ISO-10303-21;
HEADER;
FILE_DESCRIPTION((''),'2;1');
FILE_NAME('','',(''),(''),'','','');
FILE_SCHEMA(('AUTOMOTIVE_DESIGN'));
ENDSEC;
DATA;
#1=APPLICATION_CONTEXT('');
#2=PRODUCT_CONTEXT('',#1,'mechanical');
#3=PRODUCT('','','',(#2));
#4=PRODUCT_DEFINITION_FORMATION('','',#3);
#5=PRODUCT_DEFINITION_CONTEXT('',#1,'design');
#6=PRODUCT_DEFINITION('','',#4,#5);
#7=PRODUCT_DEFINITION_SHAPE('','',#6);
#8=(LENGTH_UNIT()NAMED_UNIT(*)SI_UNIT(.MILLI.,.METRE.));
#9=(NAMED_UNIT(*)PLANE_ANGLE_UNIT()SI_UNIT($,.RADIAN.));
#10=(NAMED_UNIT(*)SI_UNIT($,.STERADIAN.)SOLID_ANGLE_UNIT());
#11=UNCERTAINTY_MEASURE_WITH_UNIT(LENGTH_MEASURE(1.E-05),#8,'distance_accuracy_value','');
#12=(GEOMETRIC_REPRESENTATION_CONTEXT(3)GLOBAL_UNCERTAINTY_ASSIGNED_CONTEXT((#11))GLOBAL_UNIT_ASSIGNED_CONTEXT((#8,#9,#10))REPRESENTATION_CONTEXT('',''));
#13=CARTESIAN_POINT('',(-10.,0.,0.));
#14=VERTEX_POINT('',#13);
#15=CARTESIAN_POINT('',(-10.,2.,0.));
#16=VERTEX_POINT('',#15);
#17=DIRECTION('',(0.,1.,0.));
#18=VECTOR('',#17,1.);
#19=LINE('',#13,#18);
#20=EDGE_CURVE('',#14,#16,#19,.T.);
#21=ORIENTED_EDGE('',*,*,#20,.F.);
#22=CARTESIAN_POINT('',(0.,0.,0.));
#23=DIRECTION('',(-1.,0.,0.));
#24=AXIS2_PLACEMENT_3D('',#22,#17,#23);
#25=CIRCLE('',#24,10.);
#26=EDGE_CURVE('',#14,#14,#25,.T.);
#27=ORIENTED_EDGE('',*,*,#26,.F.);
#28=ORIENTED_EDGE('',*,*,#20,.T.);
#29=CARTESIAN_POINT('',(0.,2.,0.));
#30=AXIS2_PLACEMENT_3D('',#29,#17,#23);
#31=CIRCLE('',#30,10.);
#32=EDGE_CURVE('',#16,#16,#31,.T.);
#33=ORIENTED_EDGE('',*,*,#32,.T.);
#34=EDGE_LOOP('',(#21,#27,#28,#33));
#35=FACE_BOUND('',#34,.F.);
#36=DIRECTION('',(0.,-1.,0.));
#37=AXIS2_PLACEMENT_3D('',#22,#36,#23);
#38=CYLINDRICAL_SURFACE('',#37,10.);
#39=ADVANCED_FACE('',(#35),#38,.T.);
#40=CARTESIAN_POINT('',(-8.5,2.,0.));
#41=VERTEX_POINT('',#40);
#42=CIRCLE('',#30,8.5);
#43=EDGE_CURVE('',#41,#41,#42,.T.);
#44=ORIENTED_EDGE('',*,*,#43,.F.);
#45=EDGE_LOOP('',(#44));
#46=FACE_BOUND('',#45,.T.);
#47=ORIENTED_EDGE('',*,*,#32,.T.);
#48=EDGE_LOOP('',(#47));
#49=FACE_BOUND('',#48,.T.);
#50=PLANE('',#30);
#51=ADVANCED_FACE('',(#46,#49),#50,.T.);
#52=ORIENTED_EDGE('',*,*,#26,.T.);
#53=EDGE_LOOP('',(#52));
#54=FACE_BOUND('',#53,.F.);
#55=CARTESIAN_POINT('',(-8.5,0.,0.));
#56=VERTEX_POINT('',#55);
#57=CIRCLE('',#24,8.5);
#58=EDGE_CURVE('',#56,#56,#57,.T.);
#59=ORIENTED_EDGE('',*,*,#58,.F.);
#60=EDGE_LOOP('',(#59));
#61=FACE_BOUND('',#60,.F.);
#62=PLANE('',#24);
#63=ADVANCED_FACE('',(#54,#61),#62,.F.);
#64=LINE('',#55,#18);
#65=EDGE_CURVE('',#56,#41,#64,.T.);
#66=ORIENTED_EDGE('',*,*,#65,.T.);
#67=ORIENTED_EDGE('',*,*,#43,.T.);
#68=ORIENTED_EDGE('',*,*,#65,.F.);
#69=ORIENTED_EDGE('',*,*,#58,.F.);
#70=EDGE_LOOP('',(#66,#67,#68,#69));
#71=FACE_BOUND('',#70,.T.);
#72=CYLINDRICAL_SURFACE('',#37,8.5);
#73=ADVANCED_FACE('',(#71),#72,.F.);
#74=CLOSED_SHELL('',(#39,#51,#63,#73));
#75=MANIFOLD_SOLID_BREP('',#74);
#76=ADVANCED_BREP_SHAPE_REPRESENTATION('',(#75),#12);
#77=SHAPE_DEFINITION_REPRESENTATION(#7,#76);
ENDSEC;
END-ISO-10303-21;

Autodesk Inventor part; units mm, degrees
ref_plane "YZ Plane" through (0, 0, 0) normal (1, 0, 0) x (0, 1, 0)
ref_plane "XZ Plane" through (0, 0, 0) normal (0, 1, 0) x (-1, 0, 0)
ref_plane "XY Plane" through (0, 0, 0) normal (0, 0, 1) x (1, 0, 0)
sketch "草图1" plane through (0, 0, 0) normal (0, 1, 0) x (-1, 0, 0)
  circle A0 centre (0, 0) radius 8.5
  circle A1 centre (0, 0) radius 10
  dimension "d0" = 17
  dimension "d1" = 20
extrude "拉伸1" add sketch "草图1" along normal blind 2
properties part number "小垫片" material "纸"
